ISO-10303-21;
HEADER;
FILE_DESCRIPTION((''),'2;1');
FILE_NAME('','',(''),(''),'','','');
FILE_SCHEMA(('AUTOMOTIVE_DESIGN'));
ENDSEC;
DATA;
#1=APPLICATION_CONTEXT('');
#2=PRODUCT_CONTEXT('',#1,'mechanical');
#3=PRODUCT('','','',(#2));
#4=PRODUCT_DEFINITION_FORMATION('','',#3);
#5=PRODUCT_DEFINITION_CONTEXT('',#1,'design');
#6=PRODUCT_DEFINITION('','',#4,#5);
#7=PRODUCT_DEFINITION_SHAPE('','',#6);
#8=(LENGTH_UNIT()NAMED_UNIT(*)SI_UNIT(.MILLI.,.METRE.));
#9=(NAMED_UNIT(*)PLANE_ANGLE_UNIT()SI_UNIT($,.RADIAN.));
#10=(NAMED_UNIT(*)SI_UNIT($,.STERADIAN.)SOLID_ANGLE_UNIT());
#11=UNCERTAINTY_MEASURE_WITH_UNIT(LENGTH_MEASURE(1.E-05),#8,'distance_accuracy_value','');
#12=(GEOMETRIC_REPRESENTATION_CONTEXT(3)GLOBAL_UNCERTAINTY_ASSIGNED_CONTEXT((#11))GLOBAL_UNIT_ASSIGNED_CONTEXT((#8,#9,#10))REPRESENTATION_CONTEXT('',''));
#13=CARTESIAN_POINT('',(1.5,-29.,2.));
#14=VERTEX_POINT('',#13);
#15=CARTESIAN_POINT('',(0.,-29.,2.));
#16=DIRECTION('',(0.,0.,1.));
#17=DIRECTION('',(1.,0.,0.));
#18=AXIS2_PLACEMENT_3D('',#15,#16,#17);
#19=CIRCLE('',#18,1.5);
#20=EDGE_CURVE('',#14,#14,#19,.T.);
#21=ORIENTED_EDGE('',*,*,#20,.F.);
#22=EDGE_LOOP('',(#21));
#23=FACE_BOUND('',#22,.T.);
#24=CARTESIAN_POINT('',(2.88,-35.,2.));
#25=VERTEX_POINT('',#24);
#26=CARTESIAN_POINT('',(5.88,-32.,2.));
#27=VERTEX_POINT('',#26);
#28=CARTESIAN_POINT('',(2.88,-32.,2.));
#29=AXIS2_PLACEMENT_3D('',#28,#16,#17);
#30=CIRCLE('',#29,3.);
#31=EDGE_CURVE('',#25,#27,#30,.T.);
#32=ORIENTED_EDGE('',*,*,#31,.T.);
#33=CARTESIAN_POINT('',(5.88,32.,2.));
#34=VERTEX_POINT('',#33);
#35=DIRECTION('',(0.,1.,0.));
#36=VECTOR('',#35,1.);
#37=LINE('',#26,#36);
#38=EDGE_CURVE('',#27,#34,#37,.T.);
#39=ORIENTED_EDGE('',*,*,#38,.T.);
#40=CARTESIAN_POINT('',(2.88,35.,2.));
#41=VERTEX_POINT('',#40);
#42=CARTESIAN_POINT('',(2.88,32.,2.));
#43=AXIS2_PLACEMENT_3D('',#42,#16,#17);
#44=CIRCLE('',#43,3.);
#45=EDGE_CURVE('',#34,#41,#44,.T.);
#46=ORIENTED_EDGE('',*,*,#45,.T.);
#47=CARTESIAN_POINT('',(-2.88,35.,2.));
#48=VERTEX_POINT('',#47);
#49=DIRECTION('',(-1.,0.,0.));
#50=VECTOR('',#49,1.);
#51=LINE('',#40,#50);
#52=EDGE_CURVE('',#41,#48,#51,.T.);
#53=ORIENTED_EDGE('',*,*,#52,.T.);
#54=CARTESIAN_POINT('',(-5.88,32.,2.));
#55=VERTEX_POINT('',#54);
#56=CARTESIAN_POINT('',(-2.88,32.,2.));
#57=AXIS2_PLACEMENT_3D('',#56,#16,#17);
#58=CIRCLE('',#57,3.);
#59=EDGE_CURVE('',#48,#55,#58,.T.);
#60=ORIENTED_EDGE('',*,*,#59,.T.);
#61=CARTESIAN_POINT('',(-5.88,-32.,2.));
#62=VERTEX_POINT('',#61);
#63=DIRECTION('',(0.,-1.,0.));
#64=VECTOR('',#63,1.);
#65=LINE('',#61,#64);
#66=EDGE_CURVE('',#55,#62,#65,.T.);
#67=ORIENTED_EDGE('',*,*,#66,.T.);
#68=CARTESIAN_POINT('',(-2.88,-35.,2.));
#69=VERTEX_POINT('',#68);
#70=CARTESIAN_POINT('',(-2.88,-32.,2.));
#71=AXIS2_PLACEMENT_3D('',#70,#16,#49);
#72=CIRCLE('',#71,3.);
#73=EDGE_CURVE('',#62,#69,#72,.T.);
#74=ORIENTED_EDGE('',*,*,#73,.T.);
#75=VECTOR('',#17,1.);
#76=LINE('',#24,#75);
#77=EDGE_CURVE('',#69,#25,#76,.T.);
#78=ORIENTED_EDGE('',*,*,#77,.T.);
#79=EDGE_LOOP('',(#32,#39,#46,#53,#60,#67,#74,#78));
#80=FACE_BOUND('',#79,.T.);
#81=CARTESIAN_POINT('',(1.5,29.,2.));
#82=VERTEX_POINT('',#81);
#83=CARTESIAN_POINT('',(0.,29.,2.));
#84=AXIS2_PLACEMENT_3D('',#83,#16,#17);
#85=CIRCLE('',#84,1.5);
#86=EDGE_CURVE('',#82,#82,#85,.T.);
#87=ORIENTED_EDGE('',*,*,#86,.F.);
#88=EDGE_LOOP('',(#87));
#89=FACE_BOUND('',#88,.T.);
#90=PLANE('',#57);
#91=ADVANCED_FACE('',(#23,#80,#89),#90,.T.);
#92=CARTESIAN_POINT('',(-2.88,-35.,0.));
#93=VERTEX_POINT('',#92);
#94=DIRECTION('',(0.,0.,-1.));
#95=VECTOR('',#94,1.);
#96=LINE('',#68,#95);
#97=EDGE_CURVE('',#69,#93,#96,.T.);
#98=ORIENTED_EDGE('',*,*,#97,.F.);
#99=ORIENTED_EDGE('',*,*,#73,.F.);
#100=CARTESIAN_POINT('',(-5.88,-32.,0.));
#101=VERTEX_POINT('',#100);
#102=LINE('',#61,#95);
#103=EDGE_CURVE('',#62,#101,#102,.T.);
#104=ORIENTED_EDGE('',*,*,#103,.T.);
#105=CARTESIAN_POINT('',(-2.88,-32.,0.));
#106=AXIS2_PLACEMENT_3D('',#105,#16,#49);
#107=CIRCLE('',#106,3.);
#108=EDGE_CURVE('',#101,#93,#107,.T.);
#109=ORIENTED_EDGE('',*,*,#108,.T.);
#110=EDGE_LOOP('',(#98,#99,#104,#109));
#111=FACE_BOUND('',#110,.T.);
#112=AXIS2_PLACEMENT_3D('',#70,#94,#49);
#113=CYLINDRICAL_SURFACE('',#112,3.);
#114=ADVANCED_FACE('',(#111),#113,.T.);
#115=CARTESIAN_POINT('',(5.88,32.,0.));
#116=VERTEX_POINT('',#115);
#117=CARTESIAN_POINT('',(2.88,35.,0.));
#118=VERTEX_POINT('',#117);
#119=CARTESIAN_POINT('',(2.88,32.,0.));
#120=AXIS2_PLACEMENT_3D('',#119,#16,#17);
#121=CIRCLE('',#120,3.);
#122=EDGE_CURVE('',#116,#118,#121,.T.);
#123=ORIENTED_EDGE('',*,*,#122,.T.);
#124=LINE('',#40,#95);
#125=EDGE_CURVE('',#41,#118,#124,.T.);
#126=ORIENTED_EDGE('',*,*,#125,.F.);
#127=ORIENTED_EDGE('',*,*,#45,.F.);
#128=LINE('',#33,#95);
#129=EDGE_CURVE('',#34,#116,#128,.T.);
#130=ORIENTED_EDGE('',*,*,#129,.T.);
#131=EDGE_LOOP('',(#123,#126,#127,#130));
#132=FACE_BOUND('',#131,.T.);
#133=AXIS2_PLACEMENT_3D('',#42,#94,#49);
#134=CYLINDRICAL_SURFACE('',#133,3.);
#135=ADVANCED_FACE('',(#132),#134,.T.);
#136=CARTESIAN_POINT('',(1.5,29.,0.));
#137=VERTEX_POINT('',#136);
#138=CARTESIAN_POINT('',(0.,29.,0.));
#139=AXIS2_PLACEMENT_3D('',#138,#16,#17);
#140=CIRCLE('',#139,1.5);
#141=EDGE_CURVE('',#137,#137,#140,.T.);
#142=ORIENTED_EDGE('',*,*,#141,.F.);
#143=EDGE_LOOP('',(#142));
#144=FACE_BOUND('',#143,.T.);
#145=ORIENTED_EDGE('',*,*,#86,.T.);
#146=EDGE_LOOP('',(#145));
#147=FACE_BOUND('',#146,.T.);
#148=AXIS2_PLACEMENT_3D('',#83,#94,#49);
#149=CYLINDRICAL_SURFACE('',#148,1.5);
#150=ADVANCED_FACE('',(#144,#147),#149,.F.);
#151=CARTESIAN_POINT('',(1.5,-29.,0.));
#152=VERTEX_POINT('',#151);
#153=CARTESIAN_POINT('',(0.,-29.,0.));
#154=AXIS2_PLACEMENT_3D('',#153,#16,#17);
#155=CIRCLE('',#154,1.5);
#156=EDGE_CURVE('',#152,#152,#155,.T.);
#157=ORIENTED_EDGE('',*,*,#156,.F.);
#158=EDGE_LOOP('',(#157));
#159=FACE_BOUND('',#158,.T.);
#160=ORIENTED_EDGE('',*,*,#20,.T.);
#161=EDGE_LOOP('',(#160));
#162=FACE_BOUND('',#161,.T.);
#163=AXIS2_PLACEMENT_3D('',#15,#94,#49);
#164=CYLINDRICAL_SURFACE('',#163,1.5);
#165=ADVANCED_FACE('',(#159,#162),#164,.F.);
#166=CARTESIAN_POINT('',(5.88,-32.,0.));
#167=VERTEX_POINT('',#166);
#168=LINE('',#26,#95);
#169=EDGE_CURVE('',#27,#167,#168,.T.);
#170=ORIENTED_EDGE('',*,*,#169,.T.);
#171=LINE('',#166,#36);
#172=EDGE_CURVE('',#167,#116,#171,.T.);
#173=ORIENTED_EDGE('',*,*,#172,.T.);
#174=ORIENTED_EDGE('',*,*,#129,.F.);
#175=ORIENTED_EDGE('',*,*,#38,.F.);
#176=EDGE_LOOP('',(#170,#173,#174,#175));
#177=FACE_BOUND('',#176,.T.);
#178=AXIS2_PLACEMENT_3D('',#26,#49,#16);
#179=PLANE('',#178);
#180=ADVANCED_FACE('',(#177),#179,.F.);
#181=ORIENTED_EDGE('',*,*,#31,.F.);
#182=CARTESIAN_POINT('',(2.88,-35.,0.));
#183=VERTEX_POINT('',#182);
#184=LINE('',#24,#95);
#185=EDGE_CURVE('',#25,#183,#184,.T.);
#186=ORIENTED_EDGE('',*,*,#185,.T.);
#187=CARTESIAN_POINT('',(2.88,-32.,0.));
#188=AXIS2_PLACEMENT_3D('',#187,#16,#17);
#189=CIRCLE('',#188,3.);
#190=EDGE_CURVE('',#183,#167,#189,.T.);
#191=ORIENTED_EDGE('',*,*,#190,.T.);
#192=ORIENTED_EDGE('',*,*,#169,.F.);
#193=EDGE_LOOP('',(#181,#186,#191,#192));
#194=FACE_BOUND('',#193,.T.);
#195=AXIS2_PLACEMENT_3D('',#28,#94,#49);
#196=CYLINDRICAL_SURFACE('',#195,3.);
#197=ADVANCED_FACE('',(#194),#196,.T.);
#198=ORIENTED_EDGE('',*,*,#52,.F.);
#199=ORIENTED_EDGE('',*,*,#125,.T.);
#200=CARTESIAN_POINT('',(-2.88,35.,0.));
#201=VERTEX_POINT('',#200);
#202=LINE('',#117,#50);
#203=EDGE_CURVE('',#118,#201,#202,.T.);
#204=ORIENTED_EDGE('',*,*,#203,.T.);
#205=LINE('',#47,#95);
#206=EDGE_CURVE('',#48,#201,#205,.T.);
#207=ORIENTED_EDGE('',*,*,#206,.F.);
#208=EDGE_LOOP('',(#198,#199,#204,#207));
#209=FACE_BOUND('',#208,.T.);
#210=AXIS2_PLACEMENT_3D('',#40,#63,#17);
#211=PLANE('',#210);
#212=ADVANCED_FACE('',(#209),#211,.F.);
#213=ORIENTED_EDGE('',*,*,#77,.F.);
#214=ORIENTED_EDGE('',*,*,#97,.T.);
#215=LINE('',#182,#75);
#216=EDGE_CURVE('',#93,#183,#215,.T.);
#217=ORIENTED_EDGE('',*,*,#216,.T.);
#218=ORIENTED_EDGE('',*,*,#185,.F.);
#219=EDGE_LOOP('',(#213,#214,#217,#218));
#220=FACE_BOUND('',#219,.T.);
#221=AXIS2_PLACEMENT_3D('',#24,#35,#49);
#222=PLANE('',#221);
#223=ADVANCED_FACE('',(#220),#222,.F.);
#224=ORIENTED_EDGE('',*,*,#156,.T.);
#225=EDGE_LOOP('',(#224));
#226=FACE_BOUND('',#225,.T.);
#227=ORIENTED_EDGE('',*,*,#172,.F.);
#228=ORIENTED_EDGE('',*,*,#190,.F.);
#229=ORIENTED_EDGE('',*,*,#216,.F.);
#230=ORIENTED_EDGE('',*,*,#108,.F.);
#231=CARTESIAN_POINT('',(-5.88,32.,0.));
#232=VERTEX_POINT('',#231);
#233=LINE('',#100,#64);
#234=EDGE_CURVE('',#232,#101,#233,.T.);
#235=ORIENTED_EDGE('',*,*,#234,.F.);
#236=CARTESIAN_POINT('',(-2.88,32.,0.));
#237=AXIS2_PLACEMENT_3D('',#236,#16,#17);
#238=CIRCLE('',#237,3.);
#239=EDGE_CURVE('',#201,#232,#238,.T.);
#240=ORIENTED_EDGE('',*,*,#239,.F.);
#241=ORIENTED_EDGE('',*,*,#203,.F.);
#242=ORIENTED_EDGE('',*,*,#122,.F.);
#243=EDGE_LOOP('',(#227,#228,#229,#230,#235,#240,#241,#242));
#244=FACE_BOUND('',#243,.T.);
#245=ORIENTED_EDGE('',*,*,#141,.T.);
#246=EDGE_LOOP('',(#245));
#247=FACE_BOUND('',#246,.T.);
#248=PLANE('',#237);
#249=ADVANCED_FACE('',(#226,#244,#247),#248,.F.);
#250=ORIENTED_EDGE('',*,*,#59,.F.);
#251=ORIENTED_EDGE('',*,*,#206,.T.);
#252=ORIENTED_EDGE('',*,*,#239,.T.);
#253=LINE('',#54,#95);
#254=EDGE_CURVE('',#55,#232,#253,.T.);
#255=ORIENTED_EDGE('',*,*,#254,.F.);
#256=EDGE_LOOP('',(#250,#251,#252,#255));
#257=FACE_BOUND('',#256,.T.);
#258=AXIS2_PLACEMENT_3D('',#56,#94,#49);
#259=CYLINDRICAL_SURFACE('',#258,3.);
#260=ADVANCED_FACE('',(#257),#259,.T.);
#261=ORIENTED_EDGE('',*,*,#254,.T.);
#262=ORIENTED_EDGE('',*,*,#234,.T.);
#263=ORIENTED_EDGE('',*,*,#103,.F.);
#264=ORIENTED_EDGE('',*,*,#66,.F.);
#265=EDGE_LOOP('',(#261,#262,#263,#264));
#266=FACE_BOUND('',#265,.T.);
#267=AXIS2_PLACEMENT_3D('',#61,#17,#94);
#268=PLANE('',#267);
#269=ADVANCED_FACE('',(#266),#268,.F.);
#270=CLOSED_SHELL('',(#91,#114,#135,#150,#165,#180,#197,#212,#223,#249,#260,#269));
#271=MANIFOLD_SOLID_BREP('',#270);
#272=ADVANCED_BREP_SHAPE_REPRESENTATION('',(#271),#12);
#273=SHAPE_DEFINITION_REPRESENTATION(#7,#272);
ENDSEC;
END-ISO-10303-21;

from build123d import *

# Parameters (mm, degrees)
SKETCH1_R           = 1.5
BOSS_EXTRUDE1_DEPTH = 2


with BuildPart() as part:
    # Sketch1 → Boss-Extrude1 (new body)
    with BuildSketch(Plane.XY):
        with BuildLine():
            Line((2.88, -35), (-2.88, -35))
            ThreePointArc((-2.88, -35), (-5.001320344, -34.121320344), (-5.88, -32))
            Line((-5.88, -32), (-5.88, 32))
            ThreePointArc((-5.88, 32), (-5.001320344, 34.121320344), (-2.88, 35))
            Line((-2.88, 35), (2.88, 35))
            ThreePointArc((2.88, 35), (5.001320344, 34.121320344), (5.88, 32))
            Line((5.88, 32), (5.88, -32))
            ThreePointArc((5.88, -32), (5.001320344, -34.121320344), (2.88, -35))
        make_face()
        with Locations((0, -29)):
            Circle(SKETCH1_R, mode=Mode.SUBTRACT)
        with Locations((0, 29)):
            Circle(SKETCH1_R, mode=Mode.SUBTRACT)
    extrude(amount=BOSS_EXTRUDE1_DEPTH)


solid = part.part
